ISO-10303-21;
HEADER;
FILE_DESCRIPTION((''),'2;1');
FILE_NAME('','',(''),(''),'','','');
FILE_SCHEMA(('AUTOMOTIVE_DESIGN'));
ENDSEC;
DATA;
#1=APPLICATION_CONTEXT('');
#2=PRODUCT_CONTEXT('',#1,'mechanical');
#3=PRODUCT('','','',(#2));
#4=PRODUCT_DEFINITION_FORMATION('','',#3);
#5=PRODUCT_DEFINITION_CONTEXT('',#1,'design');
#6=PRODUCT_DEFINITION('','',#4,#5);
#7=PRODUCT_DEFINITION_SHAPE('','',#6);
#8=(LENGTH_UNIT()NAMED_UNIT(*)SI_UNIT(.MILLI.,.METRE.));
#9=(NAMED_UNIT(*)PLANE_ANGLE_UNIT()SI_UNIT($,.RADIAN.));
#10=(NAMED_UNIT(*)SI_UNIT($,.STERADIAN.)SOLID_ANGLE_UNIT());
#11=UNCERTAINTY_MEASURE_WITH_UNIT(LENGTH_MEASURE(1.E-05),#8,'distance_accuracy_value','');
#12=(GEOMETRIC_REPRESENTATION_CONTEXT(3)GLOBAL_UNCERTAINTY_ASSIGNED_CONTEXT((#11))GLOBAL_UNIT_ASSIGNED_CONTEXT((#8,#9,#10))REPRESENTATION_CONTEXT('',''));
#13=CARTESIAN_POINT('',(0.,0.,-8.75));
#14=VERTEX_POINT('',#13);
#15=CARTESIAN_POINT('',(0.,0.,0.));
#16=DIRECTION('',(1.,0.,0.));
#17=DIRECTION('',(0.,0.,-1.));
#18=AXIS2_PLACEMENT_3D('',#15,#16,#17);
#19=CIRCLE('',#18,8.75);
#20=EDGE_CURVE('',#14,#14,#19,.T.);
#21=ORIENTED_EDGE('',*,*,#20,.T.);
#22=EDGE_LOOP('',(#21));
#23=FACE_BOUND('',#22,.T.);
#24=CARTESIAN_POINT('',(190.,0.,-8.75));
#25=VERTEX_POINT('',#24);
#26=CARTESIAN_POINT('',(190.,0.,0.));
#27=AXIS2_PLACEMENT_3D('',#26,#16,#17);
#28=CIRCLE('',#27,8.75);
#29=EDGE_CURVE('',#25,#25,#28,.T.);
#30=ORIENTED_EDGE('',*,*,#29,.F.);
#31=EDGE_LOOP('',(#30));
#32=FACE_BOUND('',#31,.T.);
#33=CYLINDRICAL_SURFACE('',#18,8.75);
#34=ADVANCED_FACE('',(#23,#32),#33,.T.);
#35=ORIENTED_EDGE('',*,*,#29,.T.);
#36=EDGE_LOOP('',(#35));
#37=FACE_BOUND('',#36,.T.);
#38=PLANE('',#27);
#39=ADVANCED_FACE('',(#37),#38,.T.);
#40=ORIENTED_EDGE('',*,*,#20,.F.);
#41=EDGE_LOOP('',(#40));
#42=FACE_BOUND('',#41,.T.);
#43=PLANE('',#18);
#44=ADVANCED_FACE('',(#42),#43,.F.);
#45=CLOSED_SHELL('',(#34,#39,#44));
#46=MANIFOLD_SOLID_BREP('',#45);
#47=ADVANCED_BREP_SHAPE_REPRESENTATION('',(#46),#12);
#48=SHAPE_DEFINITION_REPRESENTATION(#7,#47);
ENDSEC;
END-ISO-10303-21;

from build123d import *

# Parameters (mm, degrees)
SKETCH12_R = 8.75


with BuildPart() as part:
    # Sweep1: sweep along a path in Sketch1
    with BuildLine(Plane.XY) as sweep1_path:
        Line((0, 0), (190, 0))
    # Sketch12 → Sweep1 (sweep)
    with BuildSketch(Plane(origin=(0, 0, 0), x_dir=(0, 0, -1), z_dir=(1, 0, 0))):
        Circle(SKETCH12_R)
    sweep(path=sweep1_path.line)


solid = part.part
